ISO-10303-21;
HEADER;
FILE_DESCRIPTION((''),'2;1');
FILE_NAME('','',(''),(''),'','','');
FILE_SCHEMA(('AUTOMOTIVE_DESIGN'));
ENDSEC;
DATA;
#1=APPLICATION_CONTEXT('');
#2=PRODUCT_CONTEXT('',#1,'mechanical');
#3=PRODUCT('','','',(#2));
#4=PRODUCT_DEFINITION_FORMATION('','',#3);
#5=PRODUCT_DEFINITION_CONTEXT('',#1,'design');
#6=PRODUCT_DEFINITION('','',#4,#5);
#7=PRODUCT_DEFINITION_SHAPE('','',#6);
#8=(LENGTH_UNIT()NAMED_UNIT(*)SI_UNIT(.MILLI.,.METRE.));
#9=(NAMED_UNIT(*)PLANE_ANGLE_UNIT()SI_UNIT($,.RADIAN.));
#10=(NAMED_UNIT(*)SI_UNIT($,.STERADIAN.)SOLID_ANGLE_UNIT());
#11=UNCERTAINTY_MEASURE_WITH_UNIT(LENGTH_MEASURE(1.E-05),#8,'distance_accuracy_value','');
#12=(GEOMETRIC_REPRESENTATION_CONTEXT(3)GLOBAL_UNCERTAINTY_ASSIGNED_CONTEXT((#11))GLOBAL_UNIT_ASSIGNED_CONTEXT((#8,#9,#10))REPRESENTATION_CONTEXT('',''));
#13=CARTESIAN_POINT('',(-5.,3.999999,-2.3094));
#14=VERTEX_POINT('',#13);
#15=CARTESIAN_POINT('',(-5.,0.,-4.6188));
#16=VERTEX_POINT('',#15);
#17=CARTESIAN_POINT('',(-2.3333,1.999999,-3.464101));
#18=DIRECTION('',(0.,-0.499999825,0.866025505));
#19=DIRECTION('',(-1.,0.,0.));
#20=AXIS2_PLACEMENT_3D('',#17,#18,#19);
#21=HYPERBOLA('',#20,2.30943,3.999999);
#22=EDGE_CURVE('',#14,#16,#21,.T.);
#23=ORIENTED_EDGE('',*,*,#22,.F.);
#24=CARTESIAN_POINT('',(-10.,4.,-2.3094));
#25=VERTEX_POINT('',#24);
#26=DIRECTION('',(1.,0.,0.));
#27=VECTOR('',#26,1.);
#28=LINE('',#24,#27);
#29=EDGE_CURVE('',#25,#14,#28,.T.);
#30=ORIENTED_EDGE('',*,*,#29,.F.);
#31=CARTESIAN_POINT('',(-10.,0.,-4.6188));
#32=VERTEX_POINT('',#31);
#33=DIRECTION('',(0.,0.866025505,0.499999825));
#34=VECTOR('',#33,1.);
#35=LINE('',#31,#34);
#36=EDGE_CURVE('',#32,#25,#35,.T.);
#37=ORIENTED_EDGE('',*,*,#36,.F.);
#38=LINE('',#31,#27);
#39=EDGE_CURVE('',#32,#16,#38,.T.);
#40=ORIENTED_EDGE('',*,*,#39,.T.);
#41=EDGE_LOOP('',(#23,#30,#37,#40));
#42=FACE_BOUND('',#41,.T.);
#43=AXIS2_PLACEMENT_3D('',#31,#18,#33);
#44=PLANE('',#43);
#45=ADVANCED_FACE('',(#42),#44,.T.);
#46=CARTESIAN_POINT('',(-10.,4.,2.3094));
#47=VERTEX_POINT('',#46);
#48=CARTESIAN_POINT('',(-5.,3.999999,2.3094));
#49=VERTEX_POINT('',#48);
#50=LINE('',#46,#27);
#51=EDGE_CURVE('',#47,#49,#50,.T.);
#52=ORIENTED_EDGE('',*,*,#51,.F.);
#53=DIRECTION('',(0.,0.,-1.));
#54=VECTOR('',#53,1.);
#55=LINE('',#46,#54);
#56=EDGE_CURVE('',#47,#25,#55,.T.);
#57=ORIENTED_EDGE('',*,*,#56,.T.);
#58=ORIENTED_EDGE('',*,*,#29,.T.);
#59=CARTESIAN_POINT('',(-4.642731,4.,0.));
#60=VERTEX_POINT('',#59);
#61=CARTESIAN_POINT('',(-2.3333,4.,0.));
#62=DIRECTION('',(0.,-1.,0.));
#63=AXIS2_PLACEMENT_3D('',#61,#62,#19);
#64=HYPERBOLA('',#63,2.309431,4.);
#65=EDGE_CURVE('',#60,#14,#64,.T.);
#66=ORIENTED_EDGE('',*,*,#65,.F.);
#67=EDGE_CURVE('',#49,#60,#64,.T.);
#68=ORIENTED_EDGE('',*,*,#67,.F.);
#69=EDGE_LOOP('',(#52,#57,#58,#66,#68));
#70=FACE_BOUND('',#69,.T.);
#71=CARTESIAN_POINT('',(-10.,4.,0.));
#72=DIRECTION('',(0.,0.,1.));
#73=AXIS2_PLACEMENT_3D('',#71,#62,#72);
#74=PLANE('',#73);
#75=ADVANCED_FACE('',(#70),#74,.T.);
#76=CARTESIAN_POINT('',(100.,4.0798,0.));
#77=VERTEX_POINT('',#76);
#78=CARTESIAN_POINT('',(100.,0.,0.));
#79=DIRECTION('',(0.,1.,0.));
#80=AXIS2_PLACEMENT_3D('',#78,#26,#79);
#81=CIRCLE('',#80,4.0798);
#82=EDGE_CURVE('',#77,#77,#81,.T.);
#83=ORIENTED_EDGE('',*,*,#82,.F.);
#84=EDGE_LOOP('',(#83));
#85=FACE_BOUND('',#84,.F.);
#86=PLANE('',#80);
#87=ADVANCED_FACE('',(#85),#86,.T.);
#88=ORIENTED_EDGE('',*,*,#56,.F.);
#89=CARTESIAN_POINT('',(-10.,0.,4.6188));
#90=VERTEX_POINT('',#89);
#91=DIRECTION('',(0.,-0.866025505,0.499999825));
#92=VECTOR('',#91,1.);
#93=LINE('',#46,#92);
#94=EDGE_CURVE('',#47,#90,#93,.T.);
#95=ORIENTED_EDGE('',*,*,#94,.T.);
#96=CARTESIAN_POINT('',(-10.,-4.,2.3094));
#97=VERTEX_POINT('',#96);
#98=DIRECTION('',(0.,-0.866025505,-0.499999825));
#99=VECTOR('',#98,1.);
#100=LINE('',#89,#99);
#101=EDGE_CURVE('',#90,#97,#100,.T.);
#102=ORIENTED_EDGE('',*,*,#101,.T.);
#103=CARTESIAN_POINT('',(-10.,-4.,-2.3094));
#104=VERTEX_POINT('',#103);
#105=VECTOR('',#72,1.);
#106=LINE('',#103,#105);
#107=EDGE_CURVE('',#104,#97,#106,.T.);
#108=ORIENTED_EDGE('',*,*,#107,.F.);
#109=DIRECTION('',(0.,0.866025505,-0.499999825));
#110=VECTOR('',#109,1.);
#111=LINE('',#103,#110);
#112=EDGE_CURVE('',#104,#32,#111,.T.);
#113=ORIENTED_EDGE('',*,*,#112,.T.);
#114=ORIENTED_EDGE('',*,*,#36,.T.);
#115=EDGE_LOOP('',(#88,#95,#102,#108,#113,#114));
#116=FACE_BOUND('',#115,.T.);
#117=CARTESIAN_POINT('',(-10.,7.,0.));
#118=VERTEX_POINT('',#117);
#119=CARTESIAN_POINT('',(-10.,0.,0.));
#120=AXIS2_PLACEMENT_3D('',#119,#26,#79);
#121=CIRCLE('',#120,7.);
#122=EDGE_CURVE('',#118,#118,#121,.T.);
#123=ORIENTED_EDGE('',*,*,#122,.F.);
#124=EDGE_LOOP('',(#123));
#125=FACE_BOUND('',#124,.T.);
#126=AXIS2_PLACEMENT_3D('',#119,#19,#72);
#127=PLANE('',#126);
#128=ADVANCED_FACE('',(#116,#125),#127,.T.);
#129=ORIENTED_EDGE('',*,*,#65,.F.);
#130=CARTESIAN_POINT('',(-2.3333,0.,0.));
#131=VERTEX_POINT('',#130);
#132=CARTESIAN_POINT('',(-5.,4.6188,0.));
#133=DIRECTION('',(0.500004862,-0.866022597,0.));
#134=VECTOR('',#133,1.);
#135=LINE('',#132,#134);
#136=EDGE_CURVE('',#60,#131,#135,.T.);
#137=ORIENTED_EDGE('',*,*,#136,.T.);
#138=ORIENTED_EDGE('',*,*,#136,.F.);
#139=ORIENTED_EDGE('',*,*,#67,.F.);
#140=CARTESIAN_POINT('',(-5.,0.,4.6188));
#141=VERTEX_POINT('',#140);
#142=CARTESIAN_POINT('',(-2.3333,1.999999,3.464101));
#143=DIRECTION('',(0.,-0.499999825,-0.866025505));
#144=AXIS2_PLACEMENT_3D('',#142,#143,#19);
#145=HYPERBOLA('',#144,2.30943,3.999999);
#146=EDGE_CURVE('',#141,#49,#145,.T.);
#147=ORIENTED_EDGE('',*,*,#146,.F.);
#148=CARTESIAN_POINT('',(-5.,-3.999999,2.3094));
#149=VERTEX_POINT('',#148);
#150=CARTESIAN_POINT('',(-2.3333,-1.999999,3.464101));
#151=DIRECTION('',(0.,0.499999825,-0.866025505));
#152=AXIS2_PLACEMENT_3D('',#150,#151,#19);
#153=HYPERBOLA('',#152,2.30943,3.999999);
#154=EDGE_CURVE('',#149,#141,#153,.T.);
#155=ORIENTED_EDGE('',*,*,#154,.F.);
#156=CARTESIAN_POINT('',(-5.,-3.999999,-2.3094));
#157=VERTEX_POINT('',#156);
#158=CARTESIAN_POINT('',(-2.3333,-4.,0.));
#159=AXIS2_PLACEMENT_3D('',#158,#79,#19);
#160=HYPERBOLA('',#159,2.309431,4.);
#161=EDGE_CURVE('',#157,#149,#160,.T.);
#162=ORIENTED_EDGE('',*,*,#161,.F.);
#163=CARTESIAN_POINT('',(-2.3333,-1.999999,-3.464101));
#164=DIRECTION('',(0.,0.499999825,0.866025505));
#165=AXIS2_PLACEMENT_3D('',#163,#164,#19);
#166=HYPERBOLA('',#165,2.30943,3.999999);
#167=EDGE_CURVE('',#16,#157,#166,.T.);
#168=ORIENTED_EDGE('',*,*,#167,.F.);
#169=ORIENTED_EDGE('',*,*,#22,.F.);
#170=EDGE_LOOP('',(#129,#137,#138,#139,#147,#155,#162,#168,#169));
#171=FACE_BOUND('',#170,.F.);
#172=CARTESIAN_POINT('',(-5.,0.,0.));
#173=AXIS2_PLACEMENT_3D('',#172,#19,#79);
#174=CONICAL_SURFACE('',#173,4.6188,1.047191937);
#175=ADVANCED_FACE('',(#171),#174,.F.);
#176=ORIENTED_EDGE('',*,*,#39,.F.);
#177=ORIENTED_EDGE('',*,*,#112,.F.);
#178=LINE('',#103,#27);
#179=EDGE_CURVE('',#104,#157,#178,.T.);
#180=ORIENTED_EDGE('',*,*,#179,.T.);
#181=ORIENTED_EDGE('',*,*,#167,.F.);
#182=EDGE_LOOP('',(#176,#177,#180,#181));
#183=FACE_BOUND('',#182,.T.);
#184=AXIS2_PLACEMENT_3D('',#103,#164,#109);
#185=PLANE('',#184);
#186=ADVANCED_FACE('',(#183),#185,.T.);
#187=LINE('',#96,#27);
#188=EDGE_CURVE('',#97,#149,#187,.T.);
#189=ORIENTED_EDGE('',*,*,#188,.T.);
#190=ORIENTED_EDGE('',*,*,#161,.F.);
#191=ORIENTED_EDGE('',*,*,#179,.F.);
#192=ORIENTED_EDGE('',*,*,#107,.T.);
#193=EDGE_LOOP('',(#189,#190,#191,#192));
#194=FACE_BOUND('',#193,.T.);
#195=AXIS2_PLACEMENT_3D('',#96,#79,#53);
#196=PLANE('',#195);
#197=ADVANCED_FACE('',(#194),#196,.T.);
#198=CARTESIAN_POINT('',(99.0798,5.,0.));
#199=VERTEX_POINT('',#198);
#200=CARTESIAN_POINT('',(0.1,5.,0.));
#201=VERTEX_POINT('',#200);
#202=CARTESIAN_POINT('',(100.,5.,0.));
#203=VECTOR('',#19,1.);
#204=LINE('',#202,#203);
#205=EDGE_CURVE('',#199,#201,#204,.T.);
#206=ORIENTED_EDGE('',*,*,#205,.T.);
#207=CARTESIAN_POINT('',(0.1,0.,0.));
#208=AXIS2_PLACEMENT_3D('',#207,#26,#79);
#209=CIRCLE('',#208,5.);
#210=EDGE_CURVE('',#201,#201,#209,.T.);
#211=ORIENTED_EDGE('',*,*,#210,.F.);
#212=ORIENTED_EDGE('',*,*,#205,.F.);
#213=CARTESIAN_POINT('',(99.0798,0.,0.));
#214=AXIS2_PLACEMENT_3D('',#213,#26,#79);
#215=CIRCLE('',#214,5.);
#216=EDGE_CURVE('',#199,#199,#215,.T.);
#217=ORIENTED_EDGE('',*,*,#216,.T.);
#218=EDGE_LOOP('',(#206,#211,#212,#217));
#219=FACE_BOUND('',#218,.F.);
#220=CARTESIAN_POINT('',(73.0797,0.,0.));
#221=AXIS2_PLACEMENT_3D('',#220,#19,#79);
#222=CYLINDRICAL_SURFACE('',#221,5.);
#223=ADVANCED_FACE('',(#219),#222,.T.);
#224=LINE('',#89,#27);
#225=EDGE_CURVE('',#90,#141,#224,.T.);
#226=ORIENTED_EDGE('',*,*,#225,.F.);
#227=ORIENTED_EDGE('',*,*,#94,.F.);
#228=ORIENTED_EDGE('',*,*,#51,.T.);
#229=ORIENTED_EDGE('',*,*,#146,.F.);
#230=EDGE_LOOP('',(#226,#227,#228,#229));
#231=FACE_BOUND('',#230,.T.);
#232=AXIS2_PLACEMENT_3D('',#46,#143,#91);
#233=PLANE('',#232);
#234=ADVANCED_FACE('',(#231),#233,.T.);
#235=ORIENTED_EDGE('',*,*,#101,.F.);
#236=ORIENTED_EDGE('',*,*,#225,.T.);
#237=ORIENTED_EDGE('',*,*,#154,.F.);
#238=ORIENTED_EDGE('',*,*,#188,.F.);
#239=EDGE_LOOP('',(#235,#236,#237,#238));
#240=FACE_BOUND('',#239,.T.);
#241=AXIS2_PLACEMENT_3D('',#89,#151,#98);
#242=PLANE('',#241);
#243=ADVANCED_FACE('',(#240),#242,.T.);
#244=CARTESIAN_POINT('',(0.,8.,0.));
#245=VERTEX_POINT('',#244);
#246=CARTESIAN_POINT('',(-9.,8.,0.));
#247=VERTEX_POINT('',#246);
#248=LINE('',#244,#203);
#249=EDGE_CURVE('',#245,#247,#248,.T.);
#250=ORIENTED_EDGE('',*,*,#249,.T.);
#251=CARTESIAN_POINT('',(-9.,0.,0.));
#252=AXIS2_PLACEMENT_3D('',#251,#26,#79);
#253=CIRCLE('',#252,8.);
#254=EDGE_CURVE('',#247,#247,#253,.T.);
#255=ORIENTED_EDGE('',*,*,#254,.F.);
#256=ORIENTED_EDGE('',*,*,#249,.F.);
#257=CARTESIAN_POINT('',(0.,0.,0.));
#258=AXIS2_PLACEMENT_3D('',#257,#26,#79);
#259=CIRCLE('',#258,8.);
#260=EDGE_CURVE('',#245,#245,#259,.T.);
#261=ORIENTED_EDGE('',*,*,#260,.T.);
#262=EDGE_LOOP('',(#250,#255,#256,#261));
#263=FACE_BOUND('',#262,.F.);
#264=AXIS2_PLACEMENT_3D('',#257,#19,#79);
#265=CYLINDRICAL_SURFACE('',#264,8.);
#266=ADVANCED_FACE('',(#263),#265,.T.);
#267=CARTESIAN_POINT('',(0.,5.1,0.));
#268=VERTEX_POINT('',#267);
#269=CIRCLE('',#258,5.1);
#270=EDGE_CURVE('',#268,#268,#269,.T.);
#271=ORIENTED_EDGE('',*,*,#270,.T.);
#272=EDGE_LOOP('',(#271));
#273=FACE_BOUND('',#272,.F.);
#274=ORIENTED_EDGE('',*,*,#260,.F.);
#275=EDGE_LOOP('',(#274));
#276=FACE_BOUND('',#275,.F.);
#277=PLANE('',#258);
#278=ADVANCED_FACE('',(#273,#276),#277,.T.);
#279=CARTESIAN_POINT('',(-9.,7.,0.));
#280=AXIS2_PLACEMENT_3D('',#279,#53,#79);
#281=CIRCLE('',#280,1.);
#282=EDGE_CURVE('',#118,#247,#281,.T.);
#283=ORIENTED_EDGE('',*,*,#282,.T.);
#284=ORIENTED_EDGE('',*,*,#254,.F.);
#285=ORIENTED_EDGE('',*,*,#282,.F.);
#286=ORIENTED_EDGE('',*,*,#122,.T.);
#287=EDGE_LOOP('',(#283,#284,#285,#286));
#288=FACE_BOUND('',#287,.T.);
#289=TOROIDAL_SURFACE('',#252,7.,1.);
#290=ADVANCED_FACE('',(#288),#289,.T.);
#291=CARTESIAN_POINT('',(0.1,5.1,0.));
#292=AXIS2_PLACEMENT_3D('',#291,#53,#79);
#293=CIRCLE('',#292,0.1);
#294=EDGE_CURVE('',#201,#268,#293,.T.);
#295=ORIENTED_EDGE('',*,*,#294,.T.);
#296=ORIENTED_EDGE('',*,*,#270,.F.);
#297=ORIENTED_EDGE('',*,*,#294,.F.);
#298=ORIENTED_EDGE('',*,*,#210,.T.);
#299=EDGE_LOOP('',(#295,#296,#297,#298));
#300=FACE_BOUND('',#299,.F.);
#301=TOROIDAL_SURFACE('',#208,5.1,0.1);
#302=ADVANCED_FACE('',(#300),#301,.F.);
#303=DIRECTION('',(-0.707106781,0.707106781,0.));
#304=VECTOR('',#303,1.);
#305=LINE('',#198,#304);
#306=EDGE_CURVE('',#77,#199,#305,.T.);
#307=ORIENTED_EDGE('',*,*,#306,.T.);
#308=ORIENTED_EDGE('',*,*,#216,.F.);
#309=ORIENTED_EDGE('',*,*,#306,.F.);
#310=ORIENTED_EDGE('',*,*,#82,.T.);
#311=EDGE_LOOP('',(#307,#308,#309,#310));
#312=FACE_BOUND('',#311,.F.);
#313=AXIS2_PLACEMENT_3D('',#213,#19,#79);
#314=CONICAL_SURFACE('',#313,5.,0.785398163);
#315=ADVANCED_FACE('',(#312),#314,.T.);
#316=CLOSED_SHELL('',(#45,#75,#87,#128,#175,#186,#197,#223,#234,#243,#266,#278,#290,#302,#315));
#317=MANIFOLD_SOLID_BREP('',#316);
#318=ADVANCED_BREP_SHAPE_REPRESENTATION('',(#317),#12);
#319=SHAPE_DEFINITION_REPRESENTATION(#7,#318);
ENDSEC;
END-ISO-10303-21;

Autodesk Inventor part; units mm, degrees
ref_plane "YZ Plane" through (0, 0, 0) normal (1, 0, 0) x (0, 1, 0)
ref_plane "XZ Plane" through (0, 0, 0) normal (0, 1, 0) x (-1, 0, 0)
sketch "Эскиз1" plane through (0, 0, 0) normal (0, 0, 1) x (1, 0, 0)
  line L0 (-2.3333, 0) -> (100, 0)
  line L1 (100, 0) -> (100, 5)
  line L2 (100, 5) -> (74, 5)
  line L3 (74, 5) -> (73.0797, 5)
  line L4 (73.0797, 5) -> (0, 5)
  line L5 (0, 5) -> (0, 8)
  line L6 (0, 8) -> (-10, 8)
  line L7 (-10, 8) -> (-10, 4.6188)
  line L8 (-10, 4.6188) -> (-5, 4.6188)
  line L9 (-5, 4.6188) -> (-2.3333, 0)
  line L10 (-33, 0) -> (128, 0) projected
  line L11 (0, -1.6) -> (0, 9.6) projected
  line L12 (74, 5) -> (0, 5) construction
  dimension "d1" = 26
  dimension "d2" = 0.9203
  dimension "d3" = 10
  dimension "d4" = 5
  dimension "d5" = 60
  dimension "d6" = 10
  dimension "d7" = 10
  dimension "d8" = 9.2376
  dimension "d9" = 16
  dimension "d26" = 100
revolve "Базовый элемент" add sketch "Эскиз1" angle 360 about axis through (-2.3333, 0, 0) along (1, 0, 0)
sketch "Эскиз2" plane through (-10, 0, 0) normal (-1, 0, 0) x (0, 0, 1)
  circle A0 centre (0, 0) radius 4.6188 projected
  line L0 (0, -11.2) -> (0, 11.2) projected
  line L1 (-11.2, 0) -> (11.2, 0) projected
  line L2 (4.6188, 0) -> (2.3094, -4)
  line L3 (2.3094, -4) -> (-2.3094, -4)
  line L4 (-2.3094, -4) -> (-4.6188, 0)
  line L5 (-4.6188, 0) -> (-2.3094, 4)
  line L6 (-2.3094, 4) -> (2.3094, 4)
  line L7 (2.3094, 4) -> (4.6188, 0)
extrude "Паз" add sketch "Эскиз2" against normal up to next contours L7 A0 | A0 L2 | L6 L0 A0 | A0 L0 L3 | L0 L6 A0 | A0 L3 L0 | L4 A0 | A0 L5
fillet "Сопряжение1" radius 1 1 edges at (-10, -8, 0)
thread "Резьба" size "M10x1.5" class "6g" standard "ISO Metric profile" length 26
chamfer "Фаска1" distance 0.9202 distance2 0.9202 1 edges at (100, -5, 0) measured on face at (100, -0.4485, 2.7318)
ref_plane "Work Plane1" through (29, 0, 0) normal (0, -1, 0) x (1, 0, 0)
fillet "Fillet2" radius 0.1 1 edges at (0, -5, 0)
equation "\"d1\" = GEL"
equation "\"d3\" = KOH"
equation "\"d4\" = INTI"
equation "\"d6\" = GD"
equation "\"d7\" = BDM"
equation "\"d8\" = 1.1547 * SW"
equation "\"d9\" = KOD"
equation "\"d26\" = NLG"
equation "\"d30\" = R"
equation "\"d17\" = RR"
equation "\"d13\" = GEL"
equation "\"d15\" = -0.5 * SPD + 0.5 * GD"
equation "\"d16\" = GUL"
equation "\"GD\" = NND"
equation "\"NLG\" = 100"
equation "\"GEL\" = 26"
equation "\"KOD\" = 16"
equation "\"KOH\" = NND"
equation "\"INTI\" = 5"
equation "\"GAL\" = 0.61345 * PTC"
equation "\"GUL\" = 0.61345 * PTC"
equation "\"BDM\" = NND"
equation "\"SW\" = 8"
equation "\"RR\" = 0.1 * NND"
equation "\"SPD\" = NND - 1.2269 * PTC"
equation "\"R\" = 0.1"
equation "\"PHH\" = 0.2"
equation "\"GD1\" = THREADDIA - 1.2269 * PTC"
equation "\"FAWI\" = 45deg"
equation "\"PTC\" = 1.5"
equation "\"KOH1\" = 9"
equation "\"TOA\" = 30deg"
equation "\"E0\" = 1.155 * SW"
equation "\"NND\" = 10"
equation "\"THREADDIA\" = 10"
properties part number "AS 1420 - 1973 - M10 x 80" material "Сталь, мягкая"
